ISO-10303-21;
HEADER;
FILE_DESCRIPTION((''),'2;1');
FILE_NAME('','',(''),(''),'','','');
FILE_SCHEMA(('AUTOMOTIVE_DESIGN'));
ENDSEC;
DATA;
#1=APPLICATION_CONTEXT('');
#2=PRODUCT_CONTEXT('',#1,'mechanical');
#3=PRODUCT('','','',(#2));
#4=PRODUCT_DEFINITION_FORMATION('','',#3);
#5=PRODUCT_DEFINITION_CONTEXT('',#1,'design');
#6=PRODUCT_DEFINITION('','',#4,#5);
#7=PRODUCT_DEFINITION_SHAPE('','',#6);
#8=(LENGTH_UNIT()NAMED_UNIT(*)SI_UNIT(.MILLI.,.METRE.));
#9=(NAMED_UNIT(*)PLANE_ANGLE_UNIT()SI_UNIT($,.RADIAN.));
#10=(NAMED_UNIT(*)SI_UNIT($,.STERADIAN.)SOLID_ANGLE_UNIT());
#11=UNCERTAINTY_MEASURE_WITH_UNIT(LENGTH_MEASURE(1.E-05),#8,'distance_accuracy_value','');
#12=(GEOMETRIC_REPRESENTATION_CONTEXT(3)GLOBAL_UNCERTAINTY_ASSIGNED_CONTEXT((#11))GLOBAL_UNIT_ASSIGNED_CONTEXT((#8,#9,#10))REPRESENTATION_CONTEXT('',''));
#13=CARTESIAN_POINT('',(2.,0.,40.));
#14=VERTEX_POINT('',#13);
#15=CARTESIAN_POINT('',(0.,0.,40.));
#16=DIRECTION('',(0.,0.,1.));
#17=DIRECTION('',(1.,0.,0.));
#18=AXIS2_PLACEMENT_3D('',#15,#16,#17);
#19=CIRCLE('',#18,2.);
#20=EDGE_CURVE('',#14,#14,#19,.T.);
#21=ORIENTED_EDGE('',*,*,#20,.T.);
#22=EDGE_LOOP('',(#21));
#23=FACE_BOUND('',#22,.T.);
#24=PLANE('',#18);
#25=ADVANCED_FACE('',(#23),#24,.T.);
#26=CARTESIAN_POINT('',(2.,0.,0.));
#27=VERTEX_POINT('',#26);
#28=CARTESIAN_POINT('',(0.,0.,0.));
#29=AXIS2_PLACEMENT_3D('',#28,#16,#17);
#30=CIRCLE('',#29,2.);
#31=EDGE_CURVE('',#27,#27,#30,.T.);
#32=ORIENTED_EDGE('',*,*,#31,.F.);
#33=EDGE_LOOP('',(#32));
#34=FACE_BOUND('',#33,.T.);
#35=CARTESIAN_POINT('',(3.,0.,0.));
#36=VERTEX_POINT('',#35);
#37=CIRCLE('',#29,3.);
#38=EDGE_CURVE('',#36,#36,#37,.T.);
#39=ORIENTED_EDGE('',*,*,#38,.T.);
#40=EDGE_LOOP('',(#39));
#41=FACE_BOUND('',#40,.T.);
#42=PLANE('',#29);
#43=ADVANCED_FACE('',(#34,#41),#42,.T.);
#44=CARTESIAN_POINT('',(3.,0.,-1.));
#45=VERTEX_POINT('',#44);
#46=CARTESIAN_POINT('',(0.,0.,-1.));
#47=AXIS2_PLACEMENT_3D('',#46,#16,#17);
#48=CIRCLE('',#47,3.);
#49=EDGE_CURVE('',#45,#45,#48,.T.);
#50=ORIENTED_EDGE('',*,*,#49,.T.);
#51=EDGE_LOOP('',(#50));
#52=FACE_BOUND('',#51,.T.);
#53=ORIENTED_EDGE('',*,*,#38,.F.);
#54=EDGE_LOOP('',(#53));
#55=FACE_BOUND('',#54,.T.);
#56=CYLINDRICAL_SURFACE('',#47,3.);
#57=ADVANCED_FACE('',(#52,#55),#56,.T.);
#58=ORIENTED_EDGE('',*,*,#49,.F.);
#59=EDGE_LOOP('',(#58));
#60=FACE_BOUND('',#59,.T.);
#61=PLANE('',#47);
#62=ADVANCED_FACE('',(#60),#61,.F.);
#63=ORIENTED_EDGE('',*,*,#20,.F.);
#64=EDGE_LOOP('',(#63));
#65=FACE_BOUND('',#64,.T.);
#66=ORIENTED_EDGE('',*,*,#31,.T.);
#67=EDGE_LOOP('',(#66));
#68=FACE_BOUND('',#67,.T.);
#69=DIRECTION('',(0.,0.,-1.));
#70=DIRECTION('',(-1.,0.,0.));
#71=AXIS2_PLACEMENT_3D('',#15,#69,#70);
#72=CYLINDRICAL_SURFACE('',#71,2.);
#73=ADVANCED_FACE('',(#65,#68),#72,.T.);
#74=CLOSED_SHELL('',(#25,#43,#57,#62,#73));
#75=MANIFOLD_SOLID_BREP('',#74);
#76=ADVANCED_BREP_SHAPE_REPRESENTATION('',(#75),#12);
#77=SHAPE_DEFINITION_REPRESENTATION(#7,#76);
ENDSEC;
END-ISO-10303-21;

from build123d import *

# Parameters (mm, degrees)
ESQUISSE1_R        = 2
BOSS_EXTRU_1_DEPTH = 40
ESQUISSE1_3_R      = 3
BOSS_EXTRU_2_DEPTH = 1


with BuildPart() as part:
    # Esquisse1 → Boss.-Extru.1 (new body)
    with BuildSketch(Plane.XY):
        Circle(ESQUISSE1_R)
    extrude(amount=BOSS_EXTRU_1_DEPTH)

    # Esquisse1<3> → Boss.-Extru.2 (add)
    with BuildSketch(Plane.XY):
        Circle(ESQUISSE1_3_R)
    extrude(amount=-BOSS_EXTRU_2_DEPTH)


solid = part.part
